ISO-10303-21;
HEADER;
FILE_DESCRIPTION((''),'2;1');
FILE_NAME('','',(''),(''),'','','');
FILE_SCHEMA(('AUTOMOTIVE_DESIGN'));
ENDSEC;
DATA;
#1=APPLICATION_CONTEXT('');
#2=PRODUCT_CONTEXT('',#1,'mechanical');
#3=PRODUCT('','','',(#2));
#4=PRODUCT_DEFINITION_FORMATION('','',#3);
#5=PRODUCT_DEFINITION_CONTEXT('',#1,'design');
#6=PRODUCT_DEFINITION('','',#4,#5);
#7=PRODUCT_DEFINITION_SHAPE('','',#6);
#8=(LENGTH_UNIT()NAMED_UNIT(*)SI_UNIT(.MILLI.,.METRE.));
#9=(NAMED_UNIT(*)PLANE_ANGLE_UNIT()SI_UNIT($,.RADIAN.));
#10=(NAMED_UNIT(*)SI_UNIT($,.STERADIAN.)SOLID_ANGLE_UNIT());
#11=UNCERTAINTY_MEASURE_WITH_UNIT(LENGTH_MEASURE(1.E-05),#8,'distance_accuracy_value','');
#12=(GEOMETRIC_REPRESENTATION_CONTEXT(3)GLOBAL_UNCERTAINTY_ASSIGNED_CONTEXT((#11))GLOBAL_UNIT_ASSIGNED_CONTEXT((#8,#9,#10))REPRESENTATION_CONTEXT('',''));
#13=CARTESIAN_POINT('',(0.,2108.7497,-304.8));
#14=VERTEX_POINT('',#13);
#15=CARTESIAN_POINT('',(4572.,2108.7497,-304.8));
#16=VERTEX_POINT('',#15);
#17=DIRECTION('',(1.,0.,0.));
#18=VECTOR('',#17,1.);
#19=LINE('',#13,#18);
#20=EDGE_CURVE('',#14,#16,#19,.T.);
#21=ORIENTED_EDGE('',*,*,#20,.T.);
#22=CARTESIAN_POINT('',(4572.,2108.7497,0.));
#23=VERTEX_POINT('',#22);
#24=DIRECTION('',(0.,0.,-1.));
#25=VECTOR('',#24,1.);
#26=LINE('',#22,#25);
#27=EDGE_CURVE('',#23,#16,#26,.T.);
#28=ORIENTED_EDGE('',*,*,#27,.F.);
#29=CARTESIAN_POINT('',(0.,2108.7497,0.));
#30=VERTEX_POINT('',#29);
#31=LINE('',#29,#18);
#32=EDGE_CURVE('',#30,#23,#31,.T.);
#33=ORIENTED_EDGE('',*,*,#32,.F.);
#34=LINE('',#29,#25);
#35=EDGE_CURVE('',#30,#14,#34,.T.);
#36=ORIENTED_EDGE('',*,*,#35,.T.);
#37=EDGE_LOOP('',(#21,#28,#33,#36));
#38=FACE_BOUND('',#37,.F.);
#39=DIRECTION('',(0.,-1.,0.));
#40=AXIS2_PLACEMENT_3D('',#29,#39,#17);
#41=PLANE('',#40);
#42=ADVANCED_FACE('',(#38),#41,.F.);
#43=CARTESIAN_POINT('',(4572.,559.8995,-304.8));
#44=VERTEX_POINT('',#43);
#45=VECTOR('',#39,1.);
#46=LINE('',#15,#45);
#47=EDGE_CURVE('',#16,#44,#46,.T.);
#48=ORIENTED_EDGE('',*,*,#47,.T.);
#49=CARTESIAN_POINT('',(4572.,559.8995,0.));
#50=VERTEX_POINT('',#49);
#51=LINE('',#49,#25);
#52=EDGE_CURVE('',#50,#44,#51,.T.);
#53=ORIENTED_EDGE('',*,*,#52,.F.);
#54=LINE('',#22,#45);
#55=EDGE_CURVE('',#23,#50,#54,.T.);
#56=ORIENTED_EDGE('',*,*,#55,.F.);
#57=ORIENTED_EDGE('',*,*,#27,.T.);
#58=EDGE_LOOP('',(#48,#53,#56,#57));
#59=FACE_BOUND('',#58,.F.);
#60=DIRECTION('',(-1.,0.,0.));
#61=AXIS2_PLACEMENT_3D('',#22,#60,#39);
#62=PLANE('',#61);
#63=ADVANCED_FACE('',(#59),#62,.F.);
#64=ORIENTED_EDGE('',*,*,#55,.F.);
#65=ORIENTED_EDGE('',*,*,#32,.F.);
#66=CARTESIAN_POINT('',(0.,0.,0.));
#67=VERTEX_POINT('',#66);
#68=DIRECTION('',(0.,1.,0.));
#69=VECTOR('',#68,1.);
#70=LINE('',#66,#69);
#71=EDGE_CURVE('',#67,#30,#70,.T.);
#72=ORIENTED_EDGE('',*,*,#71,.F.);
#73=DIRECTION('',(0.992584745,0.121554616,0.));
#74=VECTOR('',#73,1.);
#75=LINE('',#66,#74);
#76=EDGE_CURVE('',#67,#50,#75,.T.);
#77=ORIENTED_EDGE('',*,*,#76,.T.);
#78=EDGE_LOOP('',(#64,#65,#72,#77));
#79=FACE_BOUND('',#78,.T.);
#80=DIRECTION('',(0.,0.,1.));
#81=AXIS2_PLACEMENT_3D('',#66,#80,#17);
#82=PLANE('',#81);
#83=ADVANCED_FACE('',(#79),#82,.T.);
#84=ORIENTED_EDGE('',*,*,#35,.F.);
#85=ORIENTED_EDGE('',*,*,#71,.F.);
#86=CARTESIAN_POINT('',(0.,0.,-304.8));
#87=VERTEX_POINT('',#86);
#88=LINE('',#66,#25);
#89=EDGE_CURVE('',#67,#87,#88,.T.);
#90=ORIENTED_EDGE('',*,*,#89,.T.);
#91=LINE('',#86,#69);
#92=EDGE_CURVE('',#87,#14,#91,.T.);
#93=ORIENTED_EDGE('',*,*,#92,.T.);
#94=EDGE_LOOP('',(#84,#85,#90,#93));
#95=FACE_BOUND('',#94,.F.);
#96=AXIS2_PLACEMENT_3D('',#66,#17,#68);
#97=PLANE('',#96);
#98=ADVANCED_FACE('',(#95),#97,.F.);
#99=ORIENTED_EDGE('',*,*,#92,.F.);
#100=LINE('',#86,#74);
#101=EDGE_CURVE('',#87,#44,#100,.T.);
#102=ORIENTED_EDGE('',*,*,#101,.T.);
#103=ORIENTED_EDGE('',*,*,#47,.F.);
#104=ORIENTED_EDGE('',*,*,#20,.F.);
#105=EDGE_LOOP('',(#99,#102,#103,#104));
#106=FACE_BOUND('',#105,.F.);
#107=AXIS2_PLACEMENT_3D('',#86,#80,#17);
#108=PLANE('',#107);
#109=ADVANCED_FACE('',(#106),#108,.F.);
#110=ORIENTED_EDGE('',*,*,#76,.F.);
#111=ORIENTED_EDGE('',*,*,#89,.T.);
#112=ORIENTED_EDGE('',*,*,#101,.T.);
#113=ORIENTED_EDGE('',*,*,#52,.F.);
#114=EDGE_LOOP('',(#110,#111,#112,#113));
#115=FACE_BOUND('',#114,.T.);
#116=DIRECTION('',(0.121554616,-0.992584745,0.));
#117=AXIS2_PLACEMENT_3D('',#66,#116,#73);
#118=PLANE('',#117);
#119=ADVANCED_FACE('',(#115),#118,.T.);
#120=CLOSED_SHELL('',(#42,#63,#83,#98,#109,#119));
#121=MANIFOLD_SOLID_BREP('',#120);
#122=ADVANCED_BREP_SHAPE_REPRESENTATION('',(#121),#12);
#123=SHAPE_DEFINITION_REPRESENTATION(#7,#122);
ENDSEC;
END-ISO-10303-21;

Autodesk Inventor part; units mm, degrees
ref_plane "YZ Plane" through (0, 0, 0) normal (1, 0, 0) x (0, 1, 0)
ref_plane "XZ Plane" through (0, 0, 0) normal (0, 1, 0) x (-1, 0, 0)
ref_plane "XY Plane" through (0, 0, 0) normal (0, 0, 1) x (1, 0, 0)
sketch "Sketch1" plane through (0, 0, 0) normal (0, 0, 1) x (1, 0, 0)
  line L0 (0, 0) -> (0, 2108.7497)
  line L1 (0, 2108.7497) -> (4572, 2108.7497)
  line L2 (4572, 2108.7497) -> (4572, 559.8995)
  line L3 (0, 0) -> (4572, 559.8995)
  line L4 (2286, 2108.7497) -> (2286, 279.9497) construction
  dimension "d0" = 4572
  dimension "d1" = 1828.8
  dimension "d4" = 4606.1558
  dimension "d5" = 2108.7497
  dimension "d6" = 1548.8503
extrude "Extrusion1" add sketch "Sketch1" against normal blind 304.8
properties part number "underDeckEastNearPool"
